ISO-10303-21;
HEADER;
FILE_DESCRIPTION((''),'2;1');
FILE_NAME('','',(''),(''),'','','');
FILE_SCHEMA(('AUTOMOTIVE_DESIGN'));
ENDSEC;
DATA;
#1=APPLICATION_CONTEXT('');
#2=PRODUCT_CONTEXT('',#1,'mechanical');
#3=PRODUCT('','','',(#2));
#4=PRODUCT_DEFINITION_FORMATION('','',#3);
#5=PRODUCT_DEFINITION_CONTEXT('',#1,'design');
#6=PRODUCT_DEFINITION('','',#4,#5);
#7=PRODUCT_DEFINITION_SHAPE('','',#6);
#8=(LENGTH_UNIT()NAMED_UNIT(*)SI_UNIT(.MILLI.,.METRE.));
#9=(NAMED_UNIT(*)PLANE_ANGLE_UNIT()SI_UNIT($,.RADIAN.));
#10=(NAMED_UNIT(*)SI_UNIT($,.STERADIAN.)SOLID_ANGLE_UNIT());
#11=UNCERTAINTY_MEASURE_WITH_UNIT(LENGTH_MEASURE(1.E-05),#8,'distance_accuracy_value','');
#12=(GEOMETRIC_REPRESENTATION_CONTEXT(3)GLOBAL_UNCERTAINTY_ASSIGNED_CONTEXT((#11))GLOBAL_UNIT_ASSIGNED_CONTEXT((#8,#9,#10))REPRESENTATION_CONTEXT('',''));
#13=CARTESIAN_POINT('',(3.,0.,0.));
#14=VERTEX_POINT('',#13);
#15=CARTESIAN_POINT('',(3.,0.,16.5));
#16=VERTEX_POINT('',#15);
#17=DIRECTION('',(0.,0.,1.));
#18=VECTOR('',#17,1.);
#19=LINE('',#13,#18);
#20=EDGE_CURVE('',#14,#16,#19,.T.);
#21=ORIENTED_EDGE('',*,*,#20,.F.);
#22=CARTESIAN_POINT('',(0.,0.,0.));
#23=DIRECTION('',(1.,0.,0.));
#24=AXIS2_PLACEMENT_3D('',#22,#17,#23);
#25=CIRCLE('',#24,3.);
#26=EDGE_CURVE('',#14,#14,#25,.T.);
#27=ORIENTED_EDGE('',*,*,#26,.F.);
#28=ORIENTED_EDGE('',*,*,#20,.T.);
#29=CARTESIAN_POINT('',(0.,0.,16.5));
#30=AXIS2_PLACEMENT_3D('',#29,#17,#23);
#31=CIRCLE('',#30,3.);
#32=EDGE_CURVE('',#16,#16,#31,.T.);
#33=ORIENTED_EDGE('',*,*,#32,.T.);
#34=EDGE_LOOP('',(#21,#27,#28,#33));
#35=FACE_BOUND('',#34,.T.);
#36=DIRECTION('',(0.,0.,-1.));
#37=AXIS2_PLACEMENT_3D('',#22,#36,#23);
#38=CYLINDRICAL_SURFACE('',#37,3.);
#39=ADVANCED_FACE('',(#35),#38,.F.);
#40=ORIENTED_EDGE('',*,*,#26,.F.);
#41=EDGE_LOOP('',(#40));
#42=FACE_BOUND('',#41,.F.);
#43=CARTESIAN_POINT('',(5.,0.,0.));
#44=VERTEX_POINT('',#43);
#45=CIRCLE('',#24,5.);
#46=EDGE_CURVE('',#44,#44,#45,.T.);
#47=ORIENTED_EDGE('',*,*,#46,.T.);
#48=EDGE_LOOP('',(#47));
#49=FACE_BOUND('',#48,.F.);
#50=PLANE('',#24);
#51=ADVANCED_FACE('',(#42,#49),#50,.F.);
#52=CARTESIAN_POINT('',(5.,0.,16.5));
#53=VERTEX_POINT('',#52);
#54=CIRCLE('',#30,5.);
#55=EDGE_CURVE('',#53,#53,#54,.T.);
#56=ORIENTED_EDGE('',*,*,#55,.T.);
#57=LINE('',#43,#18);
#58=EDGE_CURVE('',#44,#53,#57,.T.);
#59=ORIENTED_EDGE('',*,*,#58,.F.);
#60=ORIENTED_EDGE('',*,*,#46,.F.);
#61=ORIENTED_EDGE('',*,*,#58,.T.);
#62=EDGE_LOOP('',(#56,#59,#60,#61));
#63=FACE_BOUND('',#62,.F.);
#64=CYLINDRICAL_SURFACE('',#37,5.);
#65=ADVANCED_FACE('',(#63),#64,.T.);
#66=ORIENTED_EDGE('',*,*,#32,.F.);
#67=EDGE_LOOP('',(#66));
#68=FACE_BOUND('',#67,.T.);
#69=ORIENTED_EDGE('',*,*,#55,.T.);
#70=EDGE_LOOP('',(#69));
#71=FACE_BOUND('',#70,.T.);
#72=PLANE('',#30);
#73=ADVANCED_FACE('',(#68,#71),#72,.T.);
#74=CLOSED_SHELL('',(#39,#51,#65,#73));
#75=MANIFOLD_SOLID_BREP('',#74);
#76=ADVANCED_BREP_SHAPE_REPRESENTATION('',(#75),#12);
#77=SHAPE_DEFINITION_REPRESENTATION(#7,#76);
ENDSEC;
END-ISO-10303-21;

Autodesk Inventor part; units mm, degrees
ref_plane "YZ Plane" through (0, 0, 0) normal (1, 0, 0) x (0, 1, 0)
ref_plane "XZ Plane" through (0, 0, 0) normal (0, 1, 0) x (-1, 0, 0)
ref_plane "XY Plane" through (0, 0, 0) normal (0, 0, 1) x (1, 0, 0)
sketch "Szkic1" plane through (0, 0, 0) normal (0, 0, 1) x (1, 0, 0)
  circle A0 centre (0, 0) radius 3
  circle A1 centre (0, 0) radius 5
  dimension "d0" = 6
  dimension "d1" = 10
extrude "Wyciągnięcie proste1" add sketch "Szkic1" along normal blind 16.5
properties part number "tuleja_M6_M10_16,5"
